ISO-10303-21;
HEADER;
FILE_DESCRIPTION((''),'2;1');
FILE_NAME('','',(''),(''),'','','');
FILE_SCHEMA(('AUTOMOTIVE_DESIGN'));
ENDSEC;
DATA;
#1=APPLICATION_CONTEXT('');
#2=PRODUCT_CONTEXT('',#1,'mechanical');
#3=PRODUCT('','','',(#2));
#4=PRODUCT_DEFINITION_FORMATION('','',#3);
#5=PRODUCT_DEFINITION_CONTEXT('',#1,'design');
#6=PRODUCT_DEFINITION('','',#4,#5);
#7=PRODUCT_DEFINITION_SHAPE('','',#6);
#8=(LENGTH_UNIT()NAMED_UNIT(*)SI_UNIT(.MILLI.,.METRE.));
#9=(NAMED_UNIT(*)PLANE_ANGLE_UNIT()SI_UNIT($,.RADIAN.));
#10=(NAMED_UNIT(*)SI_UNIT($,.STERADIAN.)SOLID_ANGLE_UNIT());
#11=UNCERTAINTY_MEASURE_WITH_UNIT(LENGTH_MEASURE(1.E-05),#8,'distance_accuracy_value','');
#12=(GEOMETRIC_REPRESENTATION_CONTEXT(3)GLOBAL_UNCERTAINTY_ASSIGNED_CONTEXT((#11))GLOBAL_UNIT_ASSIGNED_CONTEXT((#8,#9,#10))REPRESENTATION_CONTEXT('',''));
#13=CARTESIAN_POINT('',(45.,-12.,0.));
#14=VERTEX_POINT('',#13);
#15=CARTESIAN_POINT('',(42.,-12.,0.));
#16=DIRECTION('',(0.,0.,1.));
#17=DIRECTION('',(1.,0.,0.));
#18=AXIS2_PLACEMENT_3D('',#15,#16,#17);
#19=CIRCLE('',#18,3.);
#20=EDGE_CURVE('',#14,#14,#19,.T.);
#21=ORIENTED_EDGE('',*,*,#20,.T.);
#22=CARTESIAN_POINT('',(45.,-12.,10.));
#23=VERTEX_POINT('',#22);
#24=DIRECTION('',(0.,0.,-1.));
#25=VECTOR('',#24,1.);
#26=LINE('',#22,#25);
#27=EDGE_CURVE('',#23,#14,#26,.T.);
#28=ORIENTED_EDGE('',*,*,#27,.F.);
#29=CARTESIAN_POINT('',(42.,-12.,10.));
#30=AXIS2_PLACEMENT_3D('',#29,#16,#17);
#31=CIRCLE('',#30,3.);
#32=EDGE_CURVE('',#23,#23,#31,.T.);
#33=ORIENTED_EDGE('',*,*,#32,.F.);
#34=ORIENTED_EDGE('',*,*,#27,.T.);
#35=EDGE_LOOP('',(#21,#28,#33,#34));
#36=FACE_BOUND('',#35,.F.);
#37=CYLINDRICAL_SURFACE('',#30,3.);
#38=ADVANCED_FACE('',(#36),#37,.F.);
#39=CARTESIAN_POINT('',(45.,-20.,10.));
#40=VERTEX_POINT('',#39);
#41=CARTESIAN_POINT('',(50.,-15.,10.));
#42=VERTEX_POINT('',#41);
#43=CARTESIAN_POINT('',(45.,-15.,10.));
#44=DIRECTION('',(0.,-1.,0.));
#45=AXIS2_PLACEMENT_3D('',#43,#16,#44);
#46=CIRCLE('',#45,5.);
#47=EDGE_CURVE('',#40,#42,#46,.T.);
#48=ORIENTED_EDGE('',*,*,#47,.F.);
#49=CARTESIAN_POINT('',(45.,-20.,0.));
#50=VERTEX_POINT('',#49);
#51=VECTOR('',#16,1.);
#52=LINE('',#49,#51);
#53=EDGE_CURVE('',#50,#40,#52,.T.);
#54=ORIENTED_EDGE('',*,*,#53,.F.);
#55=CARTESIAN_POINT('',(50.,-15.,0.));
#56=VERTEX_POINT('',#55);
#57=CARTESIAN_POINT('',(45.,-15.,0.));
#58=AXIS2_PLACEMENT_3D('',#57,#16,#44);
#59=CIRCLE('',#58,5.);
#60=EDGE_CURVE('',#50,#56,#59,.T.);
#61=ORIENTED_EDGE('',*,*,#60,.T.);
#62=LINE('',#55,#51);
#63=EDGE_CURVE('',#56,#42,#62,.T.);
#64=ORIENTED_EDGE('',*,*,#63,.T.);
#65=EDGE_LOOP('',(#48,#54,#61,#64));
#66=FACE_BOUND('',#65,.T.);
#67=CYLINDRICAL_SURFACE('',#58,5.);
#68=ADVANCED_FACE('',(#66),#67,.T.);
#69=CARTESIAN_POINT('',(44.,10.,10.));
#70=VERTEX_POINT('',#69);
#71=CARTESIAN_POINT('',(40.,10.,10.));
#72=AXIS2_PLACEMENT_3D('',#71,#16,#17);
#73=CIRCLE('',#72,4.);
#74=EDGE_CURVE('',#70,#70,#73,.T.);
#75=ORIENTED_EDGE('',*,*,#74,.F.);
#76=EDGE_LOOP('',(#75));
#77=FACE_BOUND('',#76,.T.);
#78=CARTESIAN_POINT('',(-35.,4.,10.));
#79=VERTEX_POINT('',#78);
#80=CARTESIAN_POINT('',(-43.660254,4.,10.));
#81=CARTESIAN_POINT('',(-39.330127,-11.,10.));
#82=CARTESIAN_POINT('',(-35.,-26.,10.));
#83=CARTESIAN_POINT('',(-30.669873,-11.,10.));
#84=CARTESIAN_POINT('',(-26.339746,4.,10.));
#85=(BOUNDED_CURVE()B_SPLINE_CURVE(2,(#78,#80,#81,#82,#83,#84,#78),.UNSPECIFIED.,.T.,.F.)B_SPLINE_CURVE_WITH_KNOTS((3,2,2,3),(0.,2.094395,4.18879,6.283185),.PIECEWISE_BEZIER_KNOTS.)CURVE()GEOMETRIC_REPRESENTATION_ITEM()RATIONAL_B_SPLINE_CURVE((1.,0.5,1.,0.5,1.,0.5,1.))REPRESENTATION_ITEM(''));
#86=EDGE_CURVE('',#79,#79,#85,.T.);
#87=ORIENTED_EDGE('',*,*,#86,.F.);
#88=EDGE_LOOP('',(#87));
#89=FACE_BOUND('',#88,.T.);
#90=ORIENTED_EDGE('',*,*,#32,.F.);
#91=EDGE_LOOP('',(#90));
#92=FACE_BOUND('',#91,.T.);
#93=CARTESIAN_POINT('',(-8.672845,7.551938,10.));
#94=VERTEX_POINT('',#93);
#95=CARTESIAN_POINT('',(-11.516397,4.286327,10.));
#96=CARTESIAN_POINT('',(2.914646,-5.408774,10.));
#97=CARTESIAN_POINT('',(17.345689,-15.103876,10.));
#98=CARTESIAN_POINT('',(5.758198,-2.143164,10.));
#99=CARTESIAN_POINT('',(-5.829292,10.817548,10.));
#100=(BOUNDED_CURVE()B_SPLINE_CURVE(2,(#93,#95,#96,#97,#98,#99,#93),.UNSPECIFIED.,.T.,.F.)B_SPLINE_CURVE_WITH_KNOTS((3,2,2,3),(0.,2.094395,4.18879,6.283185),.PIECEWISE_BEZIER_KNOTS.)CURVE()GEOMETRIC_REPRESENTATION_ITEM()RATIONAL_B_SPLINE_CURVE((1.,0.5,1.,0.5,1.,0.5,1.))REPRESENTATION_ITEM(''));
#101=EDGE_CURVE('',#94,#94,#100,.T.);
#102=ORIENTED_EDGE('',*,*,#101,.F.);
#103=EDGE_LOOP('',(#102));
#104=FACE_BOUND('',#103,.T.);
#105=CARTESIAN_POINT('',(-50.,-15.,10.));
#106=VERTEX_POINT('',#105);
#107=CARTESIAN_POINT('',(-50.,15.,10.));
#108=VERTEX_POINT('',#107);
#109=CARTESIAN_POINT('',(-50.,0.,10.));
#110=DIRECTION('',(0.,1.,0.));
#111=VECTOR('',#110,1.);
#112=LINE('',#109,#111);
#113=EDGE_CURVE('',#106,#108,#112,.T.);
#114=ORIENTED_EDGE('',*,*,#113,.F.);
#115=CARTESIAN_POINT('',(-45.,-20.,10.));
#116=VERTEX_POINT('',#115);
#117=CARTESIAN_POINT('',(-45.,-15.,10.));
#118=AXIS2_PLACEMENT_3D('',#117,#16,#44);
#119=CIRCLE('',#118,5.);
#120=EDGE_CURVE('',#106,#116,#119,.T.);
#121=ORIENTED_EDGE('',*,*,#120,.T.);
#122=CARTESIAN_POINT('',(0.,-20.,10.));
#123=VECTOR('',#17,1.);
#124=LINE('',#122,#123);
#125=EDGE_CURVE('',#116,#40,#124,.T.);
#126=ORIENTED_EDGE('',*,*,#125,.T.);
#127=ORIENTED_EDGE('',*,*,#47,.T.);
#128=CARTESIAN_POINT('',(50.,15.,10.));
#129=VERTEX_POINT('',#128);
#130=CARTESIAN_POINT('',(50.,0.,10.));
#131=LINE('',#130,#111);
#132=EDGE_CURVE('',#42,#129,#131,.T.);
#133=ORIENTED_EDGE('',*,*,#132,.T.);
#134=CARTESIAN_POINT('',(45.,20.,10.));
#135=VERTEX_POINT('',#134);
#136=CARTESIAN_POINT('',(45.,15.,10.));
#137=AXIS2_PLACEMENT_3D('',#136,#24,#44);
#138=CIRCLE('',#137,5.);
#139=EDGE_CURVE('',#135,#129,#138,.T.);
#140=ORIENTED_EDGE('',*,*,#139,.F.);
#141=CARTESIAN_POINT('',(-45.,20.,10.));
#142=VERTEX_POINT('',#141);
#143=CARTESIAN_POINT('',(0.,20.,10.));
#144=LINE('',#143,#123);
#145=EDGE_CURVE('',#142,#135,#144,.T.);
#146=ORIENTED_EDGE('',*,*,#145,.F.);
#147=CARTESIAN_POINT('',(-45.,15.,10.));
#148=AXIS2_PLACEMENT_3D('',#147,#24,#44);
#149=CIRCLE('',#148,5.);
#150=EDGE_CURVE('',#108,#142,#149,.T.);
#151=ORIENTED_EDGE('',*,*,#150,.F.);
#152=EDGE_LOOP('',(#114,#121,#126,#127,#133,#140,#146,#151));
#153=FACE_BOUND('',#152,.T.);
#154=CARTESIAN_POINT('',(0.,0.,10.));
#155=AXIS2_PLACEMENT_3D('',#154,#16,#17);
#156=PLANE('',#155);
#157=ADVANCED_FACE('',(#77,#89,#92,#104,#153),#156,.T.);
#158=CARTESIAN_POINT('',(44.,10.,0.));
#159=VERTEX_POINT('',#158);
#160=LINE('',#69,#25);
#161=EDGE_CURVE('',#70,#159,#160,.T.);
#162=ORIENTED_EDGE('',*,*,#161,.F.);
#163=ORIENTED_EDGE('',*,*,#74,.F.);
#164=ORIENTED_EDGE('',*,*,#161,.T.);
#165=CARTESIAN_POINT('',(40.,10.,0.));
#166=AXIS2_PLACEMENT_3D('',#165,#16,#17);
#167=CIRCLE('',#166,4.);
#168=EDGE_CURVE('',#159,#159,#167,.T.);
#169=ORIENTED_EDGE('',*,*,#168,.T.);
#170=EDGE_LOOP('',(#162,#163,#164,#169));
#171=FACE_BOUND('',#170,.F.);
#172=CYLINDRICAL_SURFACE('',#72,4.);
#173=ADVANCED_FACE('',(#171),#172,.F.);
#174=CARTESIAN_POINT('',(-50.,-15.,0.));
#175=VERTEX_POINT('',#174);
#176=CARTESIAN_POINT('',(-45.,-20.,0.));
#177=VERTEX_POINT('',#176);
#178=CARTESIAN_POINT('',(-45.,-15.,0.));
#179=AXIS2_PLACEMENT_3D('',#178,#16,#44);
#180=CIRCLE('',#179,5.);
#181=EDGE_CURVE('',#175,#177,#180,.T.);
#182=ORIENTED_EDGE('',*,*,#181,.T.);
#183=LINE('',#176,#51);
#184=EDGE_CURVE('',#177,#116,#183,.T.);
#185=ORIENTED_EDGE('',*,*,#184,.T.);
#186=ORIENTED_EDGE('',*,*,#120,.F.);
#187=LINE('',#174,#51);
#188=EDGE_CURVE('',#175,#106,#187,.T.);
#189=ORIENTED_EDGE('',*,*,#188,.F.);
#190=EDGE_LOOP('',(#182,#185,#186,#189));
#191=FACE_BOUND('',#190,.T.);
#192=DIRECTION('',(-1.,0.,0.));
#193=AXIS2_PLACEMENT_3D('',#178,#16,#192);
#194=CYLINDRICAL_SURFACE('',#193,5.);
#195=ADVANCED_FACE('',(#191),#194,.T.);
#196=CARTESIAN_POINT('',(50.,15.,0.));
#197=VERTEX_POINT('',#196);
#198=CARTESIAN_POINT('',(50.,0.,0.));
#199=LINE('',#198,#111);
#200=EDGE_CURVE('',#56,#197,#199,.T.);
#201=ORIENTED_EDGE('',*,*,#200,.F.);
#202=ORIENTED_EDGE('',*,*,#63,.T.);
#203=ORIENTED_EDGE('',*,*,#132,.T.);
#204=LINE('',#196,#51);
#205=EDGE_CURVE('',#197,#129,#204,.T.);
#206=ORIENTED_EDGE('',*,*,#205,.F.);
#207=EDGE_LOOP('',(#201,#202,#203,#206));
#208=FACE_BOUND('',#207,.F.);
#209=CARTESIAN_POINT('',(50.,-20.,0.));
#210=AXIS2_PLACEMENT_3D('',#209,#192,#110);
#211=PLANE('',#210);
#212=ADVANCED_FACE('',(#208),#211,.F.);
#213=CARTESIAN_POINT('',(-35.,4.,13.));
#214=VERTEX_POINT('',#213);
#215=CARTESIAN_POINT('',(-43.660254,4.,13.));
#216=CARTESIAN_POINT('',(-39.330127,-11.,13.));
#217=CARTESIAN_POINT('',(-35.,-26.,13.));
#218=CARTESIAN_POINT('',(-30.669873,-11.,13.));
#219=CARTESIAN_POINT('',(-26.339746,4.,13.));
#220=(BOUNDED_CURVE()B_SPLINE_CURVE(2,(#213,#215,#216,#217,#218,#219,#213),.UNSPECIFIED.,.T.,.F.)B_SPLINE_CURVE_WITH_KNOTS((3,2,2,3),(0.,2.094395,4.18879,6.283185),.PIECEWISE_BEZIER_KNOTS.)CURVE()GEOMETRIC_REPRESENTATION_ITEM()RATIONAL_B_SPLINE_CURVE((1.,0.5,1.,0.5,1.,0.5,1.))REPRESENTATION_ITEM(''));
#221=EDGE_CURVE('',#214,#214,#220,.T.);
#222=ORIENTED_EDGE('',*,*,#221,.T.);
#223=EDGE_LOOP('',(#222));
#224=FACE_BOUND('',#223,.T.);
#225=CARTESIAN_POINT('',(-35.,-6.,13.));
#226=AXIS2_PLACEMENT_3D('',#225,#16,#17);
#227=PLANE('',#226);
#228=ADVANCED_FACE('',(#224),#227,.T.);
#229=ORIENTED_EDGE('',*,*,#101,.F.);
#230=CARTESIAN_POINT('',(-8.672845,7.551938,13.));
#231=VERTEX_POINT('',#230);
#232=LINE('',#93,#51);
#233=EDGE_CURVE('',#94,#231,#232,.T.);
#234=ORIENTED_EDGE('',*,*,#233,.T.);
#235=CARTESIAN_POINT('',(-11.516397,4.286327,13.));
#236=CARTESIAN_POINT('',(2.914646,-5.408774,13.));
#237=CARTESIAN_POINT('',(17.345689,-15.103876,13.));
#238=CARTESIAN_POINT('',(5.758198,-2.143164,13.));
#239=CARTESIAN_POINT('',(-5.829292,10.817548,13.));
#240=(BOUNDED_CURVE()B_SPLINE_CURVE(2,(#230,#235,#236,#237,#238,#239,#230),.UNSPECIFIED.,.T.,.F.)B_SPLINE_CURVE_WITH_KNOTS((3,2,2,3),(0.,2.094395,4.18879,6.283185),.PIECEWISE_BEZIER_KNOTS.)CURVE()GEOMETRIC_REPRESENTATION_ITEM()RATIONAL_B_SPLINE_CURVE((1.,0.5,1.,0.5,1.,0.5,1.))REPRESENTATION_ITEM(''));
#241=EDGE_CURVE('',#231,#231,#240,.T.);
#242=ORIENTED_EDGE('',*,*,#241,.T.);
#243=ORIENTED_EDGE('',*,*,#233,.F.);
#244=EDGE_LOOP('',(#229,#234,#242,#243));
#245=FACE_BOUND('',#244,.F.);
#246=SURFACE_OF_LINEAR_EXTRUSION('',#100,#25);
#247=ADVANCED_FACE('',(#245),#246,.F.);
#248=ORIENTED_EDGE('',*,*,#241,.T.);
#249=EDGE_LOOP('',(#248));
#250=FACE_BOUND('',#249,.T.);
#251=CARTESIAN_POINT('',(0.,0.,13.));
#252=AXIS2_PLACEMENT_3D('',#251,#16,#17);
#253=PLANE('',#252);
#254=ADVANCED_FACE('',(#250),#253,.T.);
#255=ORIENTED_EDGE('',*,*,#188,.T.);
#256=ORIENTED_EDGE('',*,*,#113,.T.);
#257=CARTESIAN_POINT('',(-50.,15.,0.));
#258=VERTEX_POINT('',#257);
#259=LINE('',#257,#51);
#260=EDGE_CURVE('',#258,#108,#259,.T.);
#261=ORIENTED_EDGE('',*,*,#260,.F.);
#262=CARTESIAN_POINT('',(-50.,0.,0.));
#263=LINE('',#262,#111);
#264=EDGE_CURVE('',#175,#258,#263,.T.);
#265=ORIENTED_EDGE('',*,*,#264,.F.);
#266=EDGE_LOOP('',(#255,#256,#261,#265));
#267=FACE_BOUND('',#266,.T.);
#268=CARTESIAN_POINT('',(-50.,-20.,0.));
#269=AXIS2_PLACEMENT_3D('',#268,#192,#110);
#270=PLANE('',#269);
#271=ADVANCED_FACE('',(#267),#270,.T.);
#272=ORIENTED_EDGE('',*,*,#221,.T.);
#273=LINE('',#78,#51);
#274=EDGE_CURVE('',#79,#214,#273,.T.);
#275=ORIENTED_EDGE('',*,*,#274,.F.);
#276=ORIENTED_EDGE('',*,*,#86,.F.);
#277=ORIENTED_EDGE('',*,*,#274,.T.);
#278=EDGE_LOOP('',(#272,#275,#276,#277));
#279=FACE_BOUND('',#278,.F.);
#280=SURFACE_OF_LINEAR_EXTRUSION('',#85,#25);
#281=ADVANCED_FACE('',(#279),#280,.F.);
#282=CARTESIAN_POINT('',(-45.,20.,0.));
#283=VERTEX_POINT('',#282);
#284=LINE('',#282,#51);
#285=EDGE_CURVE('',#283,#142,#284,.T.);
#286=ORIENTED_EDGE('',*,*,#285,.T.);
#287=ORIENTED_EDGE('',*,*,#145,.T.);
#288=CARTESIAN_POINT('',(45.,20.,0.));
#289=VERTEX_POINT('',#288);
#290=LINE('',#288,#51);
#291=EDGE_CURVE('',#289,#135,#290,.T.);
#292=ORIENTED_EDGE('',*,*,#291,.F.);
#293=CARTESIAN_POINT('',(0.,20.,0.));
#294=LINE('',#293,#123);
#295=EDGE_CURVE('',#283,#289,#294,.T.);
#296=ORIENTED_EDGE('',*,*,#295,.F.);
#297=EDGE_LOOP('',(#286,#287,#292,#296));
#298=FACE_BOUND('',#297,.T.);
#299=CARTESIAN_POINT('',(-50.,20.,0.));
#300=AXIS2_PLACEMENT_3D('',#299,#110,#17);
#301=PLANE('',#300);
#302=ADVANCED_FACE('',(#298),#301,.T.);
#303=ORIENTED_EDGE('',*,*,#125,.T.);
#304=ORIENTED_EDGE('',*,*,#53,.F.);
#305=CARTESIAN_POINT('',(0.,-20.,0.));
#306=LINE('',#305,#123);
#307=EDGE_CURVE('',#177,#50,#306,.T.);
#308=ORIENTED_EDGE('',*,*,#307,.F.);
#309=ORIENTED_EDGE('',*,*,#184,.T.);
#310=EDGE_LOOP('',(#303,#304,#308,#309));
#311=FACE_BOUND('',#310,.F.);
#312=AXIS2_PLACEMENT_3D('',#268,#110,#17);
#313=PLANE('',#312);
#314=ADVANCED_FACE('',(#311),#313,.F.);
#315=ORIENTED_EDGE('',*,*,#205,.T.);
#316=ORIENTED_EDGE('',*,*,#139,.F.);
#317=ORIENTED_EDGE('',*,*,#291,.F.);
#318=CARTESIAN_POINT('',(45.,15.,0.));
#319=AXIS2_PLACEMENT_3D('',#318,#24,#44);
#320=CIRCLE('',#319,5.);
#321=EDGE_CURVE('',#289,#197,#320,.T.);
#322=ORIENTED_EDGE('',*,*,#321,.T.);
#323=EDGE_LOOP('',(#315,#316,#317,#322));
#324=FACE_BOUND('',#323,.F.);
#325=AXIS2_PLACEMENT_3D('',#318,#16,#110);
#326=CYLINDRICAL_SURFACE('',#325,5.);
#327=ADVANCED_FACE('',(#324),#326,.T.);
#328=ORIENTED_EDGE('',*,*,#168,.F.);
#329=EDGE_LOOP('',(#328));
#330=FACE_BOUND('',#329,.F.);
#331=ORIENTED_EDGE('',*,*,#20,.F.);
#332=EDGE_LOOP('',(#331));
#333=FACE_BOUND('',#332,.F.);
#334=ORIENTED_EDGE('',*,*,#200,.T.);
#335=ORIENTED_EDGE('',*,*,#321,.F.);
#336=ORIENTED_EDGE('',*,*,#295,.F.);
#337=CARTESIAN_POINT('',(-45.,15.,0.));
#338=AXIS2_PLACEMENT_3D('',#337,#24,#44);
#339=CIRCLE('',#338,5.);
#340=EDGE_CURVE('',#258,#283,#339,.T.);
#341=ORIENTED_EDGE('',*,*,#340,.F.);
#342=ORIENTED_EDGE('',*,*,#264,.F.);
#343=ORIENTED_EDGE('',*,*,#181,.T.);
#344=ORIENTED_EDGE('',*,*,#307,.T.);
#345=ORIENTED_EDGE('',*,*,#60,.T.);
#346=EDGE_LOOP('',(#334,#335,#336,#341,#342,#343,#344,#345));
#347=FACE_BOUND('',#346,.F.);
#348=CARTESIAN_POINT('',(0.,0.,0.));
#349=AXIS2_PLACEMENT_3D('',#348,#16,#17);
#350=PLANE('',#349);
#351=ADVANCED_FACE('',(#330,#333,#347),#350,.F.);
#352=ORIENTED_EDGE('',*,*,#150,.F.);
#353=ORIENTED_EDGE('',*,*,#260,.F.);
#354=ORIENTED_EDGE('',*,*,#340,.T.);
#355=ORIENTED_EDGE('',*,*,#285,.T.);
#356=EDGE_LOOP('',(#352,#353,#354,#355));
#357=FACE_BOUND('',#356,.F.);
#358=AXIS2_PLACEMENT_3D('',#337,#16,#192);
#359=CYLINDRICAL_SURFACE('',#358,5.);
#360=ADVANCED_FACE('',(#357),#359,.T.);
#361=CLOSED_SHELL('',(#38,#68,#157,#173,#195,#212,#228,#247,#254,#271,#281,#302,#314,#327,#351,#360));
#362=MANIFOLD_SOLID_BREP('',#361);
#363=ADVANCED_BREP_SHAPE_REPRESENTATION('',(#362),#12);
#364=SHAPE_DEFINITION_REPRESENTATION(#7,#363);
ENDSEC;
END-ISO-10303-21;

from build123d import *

# Parameters (mm, degrees)
F0_W     = 100
F0_H     = 40
F1_DEPTH = 10
F3_DEPTH = 3
F4_R     = 4
F4_R_2   = 3
F5_DEPTH = 10
F6_R     = 5


with BuildPart() as f1:
    # F0 (on Top) → F1 (new body)
    with BuildSketch(Plane.XY):
        Rectangle(F0_W, F0_H)
    extrude(amount=F1_DEPTH)

    # F2 (on face) → F3 (join)
    with BuildSketch(Plane.XY.offset(10)):
        with BuildLine():
            add(Edge.make_bspline(
                [(-35, 4), (-43.660254, 4), (-39.330127, -11), (-35, -26), (-30.669873, -11), (-26.339746, 4), (-35, 4)],
                knots=[0, 0, 0, 2.094395, 2.094395, 4.18879, 4.18879, 6.283185, 6.283185, 6.283185], degree=2, weights=[1, 0.5, 1, 0.5, 1, 0.5, 1]))
        make_face()
        with BuildLine():
            add(Edge.make_bspline(
                [(-8.672845, 7.551938), (-11.516397, 4.286327), (2.914646, -5.408774), (17.345689, -15.103876), (5.758198, -2.143164), (-5.829292, 10.817548), (-8.672845, 7.551938)],
                knots=[0, 0, 0, 2.094395, 2.094395, 4.18879, 4.18879, 6.283185, 6.283185, 6.283185], degree=2, weights=[1, 0.5, 1, 0.5, 1, 0.5, 1]))
        make_face()
    extrude(amount=F3_DEPTH)

    # F4 (on face) → F5 (cut)
    with BuildSketch(Plane.XY.offset(10)):
        with Locations((40, 10)):
            Circle(F4_R)
        with Locations((42, -12)):
            Circle(F4_R_2)
    extrude(amount=-F5_DEPTH, mode=Mode.SUBTRACT)

    # F6
    f6_edges = [f1.edges().sort_by_distance(p)[0] for p in [
        (-50, -20, 5),
        (-50, 20, 5),
        (50, 20, 5),
        (50, -20, 5),
    ]]
    fillet(f6_edges, radius=F6_R)


solid = f1.part
